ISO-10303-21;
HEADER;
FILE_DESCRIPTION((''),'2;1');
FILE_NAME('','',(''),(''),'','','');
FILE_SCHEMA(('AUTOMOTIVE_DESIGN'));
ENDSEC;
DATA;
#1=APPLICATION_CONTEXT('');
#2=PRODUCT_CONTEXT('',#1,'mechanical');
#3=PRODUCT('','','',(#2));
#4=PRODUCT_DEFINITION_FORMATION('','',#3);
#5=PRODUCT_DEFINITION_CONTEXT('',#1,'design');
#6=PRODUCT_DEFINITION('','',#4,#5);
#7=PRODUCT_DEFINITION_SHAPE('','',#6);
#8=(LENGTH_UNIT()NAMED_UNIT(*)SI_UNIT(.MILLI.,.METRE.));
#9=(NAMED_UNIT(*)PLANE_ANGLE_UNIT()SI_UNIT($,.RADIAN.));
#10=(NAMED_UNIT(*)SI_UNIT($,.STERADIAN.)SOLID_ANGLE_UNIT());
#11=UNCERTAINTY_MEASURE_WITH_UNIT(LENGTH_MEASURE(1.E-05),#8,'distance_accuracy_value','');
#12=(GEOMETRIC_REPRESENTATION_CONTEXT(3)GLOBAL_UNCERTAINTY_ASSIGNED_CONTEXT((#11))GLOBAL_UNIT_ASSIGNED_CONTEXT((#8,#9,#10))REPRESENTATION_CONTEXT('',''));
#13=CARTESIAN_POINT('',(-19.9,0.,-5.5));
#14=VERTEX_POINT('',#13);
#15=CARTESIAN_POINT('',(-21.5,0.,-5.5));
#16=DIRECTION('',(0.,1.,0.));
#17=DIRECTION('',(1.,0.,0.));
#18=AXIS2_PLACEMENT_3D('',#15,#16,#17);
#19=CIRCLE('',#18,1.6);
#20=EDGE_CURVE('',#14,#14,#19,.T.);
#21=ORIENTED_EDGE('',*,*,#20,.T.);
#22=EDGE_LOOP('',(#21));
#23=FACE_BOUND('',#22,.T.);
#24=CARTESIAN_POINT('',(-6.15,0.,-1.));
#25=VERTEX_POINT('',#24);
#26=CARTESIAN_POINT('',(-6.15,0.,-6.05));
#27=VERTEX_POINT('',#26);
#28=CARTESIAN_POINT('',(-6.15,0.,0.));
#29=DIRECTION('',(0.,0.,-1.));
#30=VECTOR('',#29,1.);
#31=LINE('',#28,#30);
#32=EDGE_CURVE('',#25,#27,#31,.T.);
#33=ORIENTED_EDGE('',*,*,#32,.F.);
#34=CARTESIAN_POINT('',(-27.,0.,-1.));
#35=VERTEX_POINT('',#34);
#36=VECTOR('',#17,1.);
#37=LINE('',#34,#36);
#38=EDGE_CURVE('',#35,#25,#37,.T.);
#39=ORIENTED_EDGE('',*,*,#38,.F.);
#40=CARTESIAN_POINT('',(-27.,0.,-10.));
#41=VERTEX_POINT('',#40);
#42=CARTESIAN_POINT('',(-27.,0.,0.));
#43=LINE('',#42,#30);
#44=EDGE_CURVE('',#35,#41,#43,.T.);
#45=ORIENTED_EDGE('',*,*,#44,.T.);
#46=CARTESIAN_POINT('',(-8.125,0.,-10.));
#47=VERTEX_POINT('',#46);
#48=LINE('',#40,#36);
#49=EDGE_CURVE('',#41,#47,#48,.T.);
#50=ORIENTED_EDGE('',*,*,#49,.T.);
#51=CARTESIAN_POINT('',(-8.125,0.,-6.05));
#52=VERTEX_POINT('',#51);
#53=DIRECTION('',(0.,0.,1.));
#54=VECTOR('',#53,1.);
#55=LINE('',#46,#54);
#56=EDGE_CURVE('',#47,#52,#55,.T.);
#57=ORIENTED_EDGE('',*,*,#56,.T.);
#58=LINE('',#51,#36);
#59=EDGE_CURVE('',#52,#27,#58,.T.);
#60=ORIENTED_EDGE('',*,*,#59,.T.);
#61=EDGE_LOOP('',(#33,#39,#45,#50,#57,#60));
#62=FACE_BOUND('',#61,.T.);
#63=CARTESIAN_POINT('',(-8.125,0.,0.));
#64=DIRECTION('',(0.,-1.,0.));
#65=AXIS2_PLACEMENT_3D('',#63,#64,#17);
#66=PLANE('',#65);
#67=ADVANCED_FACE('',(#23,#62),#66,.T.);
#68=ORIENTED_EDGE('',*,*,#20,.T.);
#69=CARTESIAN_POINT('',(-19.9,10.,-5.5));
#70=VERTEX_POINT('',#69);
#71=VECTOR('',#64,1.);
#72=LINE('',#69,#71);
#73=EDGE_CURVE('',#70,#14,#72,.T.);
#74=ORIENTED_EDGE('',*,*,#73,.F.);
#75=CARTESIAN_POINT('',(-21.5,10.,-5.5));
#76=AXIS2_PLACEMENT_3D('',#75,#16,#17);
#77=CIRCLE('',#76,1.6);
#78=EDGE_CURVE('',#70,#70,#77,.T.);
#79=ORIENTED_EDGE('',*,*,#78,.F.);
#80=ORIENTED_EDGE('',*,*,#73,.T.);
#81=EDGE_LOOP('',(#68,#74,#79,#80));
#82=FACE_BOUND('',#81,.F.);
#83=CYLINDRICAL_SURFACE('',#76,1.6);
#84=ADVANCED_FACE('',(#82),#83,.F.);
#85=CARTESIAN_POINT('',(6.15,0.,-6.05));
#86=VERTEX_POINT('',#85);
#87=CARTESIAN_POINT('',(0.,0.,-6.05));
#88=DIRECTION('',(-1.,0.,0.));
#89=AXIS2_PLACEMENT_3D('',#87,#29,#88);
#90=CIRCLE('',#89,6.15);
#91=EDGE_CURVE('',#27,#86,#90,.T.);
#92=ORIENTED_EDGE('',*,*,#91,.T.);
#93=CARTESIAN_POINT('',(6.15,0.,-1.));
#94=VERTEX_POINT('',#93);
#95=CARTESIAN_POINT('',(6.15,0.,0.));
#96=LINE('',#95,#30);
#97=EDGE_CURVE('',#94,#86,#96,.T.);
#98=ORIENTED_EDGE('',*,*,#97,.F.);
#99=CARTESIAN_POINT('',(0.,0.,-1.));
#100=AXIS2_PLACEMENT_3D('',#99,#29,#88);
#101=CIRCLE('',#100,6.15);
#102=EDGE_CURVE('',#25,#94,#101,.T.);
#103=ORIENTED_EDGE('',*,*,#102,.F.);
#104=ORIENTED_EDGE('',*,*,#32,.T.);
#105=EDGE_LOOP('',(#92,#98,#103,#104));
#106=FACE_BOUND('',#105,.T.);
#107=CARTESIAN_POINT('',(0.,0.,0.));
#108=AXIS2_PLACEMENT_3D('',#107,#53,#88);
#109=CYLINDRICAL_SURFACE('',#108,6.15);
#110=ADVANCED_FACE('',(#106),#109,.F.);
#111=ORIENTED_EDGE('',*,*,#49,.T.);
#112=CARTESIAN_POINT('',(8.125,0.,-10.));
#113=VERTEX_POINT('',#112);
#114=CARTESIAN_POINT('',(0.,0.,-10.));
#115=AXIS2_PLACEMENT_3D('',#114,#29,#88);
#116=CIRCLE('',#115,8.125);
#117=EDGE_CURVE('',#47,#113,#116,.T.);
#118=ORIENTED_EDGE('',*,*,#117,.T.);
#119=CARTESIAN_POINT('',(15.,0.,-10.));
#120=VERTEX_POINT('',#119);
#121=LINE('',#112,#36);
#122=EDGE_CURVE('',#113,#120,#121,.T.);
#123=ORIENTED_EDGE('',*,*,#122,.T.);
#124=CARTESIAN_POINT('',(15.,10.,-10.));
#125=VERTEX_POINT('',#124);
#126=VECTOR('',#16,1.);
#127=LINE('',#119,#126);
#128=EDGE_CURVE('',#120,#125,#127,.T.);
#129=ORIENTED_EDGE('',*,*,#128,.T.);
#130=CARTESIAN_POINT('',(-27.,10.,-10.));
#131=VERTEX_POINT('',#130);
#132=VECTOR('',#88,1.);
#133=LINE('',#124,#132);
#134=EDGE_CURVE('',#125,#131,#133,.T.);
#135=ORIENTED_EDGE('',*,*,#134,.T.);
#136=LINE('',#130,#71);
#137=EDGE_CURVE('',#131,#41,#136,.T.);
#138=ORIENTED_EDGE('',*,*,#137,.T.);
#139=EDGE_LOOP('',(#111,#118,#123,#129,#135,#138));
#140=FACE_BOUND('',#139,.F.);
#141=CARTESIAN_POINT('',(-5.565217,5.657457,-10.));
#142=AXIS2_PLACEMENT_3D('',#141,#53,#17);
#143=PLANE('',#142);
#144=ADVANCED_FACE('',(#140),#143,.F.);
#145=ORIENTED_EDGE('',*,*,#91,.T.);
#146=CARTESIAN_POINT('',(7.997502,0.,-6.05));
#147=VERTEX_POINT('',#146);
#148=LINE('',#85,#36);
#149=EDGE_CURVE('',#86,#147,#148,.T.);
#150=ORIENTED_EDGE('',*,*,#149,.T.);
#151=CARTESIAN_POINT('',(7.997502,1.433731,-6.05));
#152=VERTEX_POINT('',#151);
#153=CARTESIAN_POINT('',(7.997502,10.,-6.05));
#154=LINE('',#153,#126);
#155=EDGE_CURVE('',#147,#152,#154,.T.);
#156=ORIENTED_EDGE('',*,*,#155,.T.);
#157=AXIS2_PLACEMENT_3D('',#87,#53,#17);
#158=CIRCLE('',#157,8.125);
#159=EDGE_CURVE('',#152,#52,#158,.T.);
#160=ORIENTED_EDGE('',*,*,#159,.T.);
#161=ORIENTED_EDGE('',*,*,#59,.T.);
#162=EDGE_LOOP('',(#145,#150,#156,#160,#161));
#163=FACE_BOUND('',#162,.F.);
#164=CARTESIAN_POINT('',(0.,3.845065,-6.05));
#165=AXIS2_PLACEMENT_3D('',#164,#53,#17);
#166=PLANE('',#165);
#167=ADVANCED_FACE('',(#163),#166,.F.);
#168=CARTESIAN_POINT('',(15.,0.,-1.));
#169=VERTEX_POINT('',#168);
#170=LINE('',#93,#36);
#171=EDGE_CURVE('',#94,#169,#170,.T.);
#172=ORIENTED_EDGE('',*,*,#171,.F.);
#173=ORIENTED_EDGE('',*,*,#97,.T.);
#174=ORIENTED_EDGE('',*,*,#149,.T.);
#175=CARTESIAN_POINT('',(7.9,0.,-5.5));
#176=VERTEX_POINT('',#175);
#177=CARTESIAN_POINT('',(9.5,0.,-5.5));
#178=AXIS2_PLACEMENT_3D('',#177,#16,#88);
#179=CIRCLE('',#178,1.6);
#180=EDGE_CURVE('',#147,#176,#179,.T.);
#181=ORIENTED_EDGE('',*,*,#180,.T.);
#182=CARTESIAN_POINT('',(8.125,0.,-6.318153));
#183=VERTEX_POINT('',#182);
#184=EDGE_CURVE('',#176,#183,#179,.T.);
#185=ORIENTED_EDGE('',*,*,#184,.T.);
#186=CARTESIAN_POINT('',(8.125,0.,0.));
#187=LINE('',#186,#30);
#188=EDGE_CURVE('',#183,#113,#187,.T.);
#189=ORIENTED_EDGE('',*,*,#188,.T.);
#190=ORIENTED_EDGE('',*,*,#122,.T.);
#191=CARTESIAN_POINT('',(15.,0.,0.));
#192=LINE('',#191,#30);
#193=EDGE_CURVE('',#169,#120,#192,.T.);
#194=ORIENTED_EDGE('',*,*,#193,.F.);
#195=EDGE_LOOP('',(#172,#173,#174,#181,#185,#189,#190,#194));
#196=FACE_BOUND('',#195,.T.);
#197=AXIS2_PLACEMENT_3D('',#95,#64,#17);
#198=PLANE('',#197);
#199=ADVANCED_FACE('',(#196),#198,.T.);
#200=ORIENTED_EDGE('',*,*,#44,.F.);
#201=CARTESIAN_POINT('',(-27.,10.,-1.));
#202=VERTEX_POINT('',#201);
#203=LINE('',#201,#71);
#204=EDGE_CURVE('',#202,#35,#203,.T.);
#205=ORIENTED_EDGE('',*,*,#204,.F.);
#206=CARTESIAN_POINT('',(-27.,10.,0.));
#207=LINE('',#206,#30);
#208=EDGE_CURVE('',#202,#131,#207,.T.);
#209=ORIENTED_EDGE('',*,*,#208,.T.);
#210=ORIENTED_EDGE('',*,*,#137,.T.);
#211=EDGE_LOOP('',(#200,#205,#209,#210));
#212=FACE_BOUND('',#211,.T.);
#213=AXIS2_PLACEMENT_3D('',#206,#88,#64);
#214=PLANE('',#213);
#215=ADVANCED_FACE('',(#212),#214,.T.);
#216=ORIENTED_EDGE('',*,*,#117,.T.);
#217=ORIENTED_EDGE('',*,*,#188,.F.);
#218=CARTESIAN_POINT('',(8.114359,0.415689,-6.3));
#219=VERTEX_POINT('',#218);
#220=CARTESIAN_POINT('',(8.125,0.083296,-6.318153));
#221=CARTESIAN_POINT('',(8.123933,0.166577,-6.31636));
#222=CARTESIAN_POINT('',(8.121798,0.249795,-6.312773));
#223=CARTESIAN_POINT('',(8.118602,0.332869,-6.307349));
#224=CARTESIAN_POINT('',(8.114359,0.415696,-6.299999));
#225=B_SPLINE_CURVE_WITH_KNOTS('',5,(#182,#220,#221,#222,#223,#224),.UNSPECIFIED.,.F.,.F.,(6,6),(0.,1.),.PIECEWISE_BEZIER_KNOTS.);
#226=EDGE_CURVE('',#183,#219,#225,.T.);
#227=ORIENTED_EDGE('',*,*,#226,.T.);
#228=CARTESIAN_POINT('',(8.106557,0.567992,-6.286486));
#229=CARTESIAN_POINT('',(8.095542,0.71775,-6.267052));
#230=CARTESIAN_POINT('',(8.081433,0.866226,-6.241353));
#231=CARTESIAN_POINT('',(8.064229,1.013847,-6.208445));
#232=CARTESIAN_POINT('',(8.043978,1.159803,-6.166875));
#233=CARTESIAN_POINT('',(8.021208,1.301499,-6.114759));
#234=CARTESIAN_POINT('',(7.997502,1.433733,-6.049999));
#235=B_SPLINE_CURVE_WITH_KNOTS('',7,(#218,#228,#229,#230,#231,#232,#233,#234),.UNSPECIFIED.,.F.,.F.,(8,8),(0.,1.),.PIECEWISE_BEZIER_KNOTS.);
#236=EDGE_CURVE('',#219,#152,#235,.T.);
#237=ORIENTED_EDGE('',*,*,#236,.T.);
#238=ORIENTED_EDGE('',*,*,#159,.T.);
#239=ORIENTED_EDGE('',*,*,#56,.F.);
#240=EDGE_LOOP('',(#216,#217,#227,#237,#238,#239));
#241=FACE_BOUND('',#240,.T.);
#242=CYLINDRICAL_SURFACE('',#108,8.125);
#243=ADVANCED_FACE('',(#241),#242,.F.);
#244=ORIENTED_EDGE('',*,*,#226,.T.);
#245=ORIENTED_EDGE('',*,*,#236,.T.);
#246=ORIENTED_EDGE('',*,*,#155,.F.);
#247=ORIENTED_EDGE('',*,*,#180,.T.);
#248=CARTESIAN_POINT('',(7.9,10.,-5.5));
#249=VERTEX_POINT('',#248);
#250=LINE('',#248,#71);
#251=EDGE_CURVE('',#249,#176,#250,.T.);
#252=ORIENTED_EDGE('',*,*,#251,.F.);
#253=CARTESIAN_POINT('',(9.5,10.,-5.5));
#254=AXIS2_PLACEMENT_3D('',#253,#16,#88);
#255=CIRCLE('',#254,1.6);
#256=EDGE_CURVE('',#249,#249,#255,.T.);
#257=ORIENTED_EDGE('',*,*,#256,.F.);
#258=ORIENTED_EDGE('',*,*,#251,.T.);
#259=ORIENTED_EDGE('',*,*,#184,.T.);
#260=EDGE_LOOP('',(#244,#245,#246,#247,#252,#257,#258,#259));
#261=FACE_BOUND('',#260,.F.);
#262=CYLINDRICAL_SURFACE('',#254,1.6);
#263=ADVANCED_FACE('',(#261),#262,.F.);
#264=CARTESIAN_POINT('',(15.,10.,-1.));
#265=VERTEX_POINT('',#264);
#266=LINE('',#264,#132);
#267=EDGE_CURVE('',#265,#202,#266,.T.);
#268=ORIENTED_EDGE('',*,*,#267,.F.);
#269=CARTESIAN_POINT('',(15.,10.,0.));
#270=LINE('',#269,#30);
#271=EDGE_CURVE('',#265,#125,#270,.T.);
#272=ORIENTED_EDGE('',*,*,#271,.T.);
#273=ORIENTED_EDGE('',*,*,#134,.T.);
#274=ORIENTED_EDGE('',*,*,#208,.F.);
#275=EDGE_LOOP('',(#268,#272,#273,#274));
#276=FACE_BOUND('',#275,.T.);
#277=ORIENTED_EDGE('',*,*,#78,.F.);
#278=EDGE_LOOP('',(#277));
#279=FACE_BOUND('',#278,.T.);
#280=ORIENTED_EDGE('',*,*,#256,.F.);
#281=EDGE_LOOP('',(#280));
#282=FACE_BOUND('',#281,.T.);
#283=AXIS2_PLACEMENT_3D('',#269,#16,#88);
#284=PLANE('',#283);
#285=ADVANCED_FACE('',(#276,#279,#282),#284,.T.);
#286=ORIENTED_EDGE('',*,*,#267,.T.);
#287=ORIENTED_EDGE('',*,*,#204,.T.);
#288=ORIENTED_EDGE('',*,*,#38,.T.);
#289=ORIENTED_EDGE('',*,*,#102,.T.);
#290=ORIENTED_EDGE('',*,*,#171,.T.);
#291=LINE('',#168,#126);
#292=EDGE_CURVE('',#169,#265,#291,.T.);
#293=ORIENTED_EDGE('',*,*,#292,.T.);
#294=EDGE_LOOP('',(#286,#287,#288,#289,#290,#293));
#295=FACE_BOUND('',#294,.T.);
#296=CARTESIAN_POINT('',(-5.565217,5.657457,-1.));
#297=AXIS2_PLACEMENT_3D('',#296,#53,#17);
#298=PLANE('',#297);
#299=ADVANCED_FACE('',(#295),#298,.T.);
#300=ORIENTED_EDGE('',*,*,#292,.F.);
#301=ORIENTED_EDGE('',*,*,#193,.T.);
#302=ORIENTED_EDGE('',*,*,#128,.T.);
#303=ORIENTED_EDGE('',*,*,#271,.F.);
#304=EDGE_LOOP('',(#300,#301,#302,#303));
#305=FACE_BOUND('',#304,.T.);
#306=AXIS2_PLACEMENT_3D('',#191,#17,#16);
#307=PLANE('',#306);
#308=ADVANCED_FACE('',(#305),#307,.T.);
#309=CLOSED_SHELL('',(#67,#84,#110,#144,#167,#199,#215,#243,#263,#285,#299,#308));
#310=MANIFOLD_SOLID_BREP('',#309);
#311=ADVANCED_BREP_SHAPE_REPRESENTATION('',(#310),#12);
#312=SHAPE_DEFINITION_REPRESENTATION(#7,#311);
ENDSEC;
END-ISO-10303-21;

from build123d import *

# Parameters (mm, degrees)
F1_DEPTH = 10
F2_DEPTH = 6.3
F3_R     = 1.6
F4_DEPTH = 25
F5_DEPTH = 1
F6_DEPTH = 0.25


with BuildPart() as f1:
    # F0 (on Top) → F1 (new body)
    with BuildSketch(Plane.XY):
        with BuildLine():
            ThreePointArc((-8.125, 0), (0, 8.125), (8.125, 0))
            Line((8.125, 0), (15, 0))
            Line((15, 0), (15, 10))
            Line((15, 10), (-27, 10))
            Line((-27, 10), (-27, 0))
            Line((-27, 0), (-8.125, 0))
        make_face()
    extrude(amount=-F1_DEPTH)

    # F0 (on Top) → F2 (join)
    with BuildSketch(Plane.XY):
        with BuildLine():
            ThreePointArc((-6.15, 0), (0, 6.15), (6.15, 0))
            Line((6.15, 0), (8.125, 0))
            ThreePointArc((8.125, 0), (0, 8.125), (-8.125, 0))
            Line((-8.125, 0), (-6.15, 0))
        make_face()
    extrude(amount=-F2_DEPTH)

    # F3 (on face) → F4 (cut)
    with BuildSketch(Plane(origin=(0, 10, 0), x_dir=(-1, 0, 0), z_dir=(0, 1, 0))):
        with Locations((-9.5, -5.5)):
            Circle(F3_R)
        with BuildLine():
            ThreePointArc((23.1, -5.5), (21.5, -3.9), (19.9, -5.5))
            ThreePointArc((19.9, -5.5), (21.5, -7.1), (23.1, -5.5))
        make_face()
    extrude(amount=-F4_DEPTH, mode=Mode.SUBTRACT)

    # F0 (on Top) → F5 (cut)
    with BuildSketch(Plane.XY):
        with BuildLine():
            ThreePointArc((-8.125, 0), (0, 8.125), (8.125, 0))
            Line((8.125, 0), (15, 0))
            Line((15, 0), (15, 10))
            Line((15, 10), (-27, 10))
            Line((-27, 10), (-27, 0))
            Line((-27, 0), (-8.125, 0))
        make_face()
        with BuildLine():
            ThreePointArc((-6.15, 0), (0, 6.15), (6.15, 0))
            Line((6.15, 0), (8.125, 0))
            ThreePointArc((8.125, 0), (0, 8.125), (-8.125, 0))
            Line((-8.125, 0), (-6.15, 0))
        make_face()
    extrude(amount=-F5_DEPTH, mode=Mode.SUBTRACT)

    # F6 (cut): a face of the model
    f6_faces = [f1.faces().sort_by_distance(p)[0] for p in [
        (-7.1375, 0.1815853566, -6.3),
    ]]
    extrude(f6_faces, amount=-F6_DEPTH, mode=Mode.SUBTRACT)


solid = f1.part
